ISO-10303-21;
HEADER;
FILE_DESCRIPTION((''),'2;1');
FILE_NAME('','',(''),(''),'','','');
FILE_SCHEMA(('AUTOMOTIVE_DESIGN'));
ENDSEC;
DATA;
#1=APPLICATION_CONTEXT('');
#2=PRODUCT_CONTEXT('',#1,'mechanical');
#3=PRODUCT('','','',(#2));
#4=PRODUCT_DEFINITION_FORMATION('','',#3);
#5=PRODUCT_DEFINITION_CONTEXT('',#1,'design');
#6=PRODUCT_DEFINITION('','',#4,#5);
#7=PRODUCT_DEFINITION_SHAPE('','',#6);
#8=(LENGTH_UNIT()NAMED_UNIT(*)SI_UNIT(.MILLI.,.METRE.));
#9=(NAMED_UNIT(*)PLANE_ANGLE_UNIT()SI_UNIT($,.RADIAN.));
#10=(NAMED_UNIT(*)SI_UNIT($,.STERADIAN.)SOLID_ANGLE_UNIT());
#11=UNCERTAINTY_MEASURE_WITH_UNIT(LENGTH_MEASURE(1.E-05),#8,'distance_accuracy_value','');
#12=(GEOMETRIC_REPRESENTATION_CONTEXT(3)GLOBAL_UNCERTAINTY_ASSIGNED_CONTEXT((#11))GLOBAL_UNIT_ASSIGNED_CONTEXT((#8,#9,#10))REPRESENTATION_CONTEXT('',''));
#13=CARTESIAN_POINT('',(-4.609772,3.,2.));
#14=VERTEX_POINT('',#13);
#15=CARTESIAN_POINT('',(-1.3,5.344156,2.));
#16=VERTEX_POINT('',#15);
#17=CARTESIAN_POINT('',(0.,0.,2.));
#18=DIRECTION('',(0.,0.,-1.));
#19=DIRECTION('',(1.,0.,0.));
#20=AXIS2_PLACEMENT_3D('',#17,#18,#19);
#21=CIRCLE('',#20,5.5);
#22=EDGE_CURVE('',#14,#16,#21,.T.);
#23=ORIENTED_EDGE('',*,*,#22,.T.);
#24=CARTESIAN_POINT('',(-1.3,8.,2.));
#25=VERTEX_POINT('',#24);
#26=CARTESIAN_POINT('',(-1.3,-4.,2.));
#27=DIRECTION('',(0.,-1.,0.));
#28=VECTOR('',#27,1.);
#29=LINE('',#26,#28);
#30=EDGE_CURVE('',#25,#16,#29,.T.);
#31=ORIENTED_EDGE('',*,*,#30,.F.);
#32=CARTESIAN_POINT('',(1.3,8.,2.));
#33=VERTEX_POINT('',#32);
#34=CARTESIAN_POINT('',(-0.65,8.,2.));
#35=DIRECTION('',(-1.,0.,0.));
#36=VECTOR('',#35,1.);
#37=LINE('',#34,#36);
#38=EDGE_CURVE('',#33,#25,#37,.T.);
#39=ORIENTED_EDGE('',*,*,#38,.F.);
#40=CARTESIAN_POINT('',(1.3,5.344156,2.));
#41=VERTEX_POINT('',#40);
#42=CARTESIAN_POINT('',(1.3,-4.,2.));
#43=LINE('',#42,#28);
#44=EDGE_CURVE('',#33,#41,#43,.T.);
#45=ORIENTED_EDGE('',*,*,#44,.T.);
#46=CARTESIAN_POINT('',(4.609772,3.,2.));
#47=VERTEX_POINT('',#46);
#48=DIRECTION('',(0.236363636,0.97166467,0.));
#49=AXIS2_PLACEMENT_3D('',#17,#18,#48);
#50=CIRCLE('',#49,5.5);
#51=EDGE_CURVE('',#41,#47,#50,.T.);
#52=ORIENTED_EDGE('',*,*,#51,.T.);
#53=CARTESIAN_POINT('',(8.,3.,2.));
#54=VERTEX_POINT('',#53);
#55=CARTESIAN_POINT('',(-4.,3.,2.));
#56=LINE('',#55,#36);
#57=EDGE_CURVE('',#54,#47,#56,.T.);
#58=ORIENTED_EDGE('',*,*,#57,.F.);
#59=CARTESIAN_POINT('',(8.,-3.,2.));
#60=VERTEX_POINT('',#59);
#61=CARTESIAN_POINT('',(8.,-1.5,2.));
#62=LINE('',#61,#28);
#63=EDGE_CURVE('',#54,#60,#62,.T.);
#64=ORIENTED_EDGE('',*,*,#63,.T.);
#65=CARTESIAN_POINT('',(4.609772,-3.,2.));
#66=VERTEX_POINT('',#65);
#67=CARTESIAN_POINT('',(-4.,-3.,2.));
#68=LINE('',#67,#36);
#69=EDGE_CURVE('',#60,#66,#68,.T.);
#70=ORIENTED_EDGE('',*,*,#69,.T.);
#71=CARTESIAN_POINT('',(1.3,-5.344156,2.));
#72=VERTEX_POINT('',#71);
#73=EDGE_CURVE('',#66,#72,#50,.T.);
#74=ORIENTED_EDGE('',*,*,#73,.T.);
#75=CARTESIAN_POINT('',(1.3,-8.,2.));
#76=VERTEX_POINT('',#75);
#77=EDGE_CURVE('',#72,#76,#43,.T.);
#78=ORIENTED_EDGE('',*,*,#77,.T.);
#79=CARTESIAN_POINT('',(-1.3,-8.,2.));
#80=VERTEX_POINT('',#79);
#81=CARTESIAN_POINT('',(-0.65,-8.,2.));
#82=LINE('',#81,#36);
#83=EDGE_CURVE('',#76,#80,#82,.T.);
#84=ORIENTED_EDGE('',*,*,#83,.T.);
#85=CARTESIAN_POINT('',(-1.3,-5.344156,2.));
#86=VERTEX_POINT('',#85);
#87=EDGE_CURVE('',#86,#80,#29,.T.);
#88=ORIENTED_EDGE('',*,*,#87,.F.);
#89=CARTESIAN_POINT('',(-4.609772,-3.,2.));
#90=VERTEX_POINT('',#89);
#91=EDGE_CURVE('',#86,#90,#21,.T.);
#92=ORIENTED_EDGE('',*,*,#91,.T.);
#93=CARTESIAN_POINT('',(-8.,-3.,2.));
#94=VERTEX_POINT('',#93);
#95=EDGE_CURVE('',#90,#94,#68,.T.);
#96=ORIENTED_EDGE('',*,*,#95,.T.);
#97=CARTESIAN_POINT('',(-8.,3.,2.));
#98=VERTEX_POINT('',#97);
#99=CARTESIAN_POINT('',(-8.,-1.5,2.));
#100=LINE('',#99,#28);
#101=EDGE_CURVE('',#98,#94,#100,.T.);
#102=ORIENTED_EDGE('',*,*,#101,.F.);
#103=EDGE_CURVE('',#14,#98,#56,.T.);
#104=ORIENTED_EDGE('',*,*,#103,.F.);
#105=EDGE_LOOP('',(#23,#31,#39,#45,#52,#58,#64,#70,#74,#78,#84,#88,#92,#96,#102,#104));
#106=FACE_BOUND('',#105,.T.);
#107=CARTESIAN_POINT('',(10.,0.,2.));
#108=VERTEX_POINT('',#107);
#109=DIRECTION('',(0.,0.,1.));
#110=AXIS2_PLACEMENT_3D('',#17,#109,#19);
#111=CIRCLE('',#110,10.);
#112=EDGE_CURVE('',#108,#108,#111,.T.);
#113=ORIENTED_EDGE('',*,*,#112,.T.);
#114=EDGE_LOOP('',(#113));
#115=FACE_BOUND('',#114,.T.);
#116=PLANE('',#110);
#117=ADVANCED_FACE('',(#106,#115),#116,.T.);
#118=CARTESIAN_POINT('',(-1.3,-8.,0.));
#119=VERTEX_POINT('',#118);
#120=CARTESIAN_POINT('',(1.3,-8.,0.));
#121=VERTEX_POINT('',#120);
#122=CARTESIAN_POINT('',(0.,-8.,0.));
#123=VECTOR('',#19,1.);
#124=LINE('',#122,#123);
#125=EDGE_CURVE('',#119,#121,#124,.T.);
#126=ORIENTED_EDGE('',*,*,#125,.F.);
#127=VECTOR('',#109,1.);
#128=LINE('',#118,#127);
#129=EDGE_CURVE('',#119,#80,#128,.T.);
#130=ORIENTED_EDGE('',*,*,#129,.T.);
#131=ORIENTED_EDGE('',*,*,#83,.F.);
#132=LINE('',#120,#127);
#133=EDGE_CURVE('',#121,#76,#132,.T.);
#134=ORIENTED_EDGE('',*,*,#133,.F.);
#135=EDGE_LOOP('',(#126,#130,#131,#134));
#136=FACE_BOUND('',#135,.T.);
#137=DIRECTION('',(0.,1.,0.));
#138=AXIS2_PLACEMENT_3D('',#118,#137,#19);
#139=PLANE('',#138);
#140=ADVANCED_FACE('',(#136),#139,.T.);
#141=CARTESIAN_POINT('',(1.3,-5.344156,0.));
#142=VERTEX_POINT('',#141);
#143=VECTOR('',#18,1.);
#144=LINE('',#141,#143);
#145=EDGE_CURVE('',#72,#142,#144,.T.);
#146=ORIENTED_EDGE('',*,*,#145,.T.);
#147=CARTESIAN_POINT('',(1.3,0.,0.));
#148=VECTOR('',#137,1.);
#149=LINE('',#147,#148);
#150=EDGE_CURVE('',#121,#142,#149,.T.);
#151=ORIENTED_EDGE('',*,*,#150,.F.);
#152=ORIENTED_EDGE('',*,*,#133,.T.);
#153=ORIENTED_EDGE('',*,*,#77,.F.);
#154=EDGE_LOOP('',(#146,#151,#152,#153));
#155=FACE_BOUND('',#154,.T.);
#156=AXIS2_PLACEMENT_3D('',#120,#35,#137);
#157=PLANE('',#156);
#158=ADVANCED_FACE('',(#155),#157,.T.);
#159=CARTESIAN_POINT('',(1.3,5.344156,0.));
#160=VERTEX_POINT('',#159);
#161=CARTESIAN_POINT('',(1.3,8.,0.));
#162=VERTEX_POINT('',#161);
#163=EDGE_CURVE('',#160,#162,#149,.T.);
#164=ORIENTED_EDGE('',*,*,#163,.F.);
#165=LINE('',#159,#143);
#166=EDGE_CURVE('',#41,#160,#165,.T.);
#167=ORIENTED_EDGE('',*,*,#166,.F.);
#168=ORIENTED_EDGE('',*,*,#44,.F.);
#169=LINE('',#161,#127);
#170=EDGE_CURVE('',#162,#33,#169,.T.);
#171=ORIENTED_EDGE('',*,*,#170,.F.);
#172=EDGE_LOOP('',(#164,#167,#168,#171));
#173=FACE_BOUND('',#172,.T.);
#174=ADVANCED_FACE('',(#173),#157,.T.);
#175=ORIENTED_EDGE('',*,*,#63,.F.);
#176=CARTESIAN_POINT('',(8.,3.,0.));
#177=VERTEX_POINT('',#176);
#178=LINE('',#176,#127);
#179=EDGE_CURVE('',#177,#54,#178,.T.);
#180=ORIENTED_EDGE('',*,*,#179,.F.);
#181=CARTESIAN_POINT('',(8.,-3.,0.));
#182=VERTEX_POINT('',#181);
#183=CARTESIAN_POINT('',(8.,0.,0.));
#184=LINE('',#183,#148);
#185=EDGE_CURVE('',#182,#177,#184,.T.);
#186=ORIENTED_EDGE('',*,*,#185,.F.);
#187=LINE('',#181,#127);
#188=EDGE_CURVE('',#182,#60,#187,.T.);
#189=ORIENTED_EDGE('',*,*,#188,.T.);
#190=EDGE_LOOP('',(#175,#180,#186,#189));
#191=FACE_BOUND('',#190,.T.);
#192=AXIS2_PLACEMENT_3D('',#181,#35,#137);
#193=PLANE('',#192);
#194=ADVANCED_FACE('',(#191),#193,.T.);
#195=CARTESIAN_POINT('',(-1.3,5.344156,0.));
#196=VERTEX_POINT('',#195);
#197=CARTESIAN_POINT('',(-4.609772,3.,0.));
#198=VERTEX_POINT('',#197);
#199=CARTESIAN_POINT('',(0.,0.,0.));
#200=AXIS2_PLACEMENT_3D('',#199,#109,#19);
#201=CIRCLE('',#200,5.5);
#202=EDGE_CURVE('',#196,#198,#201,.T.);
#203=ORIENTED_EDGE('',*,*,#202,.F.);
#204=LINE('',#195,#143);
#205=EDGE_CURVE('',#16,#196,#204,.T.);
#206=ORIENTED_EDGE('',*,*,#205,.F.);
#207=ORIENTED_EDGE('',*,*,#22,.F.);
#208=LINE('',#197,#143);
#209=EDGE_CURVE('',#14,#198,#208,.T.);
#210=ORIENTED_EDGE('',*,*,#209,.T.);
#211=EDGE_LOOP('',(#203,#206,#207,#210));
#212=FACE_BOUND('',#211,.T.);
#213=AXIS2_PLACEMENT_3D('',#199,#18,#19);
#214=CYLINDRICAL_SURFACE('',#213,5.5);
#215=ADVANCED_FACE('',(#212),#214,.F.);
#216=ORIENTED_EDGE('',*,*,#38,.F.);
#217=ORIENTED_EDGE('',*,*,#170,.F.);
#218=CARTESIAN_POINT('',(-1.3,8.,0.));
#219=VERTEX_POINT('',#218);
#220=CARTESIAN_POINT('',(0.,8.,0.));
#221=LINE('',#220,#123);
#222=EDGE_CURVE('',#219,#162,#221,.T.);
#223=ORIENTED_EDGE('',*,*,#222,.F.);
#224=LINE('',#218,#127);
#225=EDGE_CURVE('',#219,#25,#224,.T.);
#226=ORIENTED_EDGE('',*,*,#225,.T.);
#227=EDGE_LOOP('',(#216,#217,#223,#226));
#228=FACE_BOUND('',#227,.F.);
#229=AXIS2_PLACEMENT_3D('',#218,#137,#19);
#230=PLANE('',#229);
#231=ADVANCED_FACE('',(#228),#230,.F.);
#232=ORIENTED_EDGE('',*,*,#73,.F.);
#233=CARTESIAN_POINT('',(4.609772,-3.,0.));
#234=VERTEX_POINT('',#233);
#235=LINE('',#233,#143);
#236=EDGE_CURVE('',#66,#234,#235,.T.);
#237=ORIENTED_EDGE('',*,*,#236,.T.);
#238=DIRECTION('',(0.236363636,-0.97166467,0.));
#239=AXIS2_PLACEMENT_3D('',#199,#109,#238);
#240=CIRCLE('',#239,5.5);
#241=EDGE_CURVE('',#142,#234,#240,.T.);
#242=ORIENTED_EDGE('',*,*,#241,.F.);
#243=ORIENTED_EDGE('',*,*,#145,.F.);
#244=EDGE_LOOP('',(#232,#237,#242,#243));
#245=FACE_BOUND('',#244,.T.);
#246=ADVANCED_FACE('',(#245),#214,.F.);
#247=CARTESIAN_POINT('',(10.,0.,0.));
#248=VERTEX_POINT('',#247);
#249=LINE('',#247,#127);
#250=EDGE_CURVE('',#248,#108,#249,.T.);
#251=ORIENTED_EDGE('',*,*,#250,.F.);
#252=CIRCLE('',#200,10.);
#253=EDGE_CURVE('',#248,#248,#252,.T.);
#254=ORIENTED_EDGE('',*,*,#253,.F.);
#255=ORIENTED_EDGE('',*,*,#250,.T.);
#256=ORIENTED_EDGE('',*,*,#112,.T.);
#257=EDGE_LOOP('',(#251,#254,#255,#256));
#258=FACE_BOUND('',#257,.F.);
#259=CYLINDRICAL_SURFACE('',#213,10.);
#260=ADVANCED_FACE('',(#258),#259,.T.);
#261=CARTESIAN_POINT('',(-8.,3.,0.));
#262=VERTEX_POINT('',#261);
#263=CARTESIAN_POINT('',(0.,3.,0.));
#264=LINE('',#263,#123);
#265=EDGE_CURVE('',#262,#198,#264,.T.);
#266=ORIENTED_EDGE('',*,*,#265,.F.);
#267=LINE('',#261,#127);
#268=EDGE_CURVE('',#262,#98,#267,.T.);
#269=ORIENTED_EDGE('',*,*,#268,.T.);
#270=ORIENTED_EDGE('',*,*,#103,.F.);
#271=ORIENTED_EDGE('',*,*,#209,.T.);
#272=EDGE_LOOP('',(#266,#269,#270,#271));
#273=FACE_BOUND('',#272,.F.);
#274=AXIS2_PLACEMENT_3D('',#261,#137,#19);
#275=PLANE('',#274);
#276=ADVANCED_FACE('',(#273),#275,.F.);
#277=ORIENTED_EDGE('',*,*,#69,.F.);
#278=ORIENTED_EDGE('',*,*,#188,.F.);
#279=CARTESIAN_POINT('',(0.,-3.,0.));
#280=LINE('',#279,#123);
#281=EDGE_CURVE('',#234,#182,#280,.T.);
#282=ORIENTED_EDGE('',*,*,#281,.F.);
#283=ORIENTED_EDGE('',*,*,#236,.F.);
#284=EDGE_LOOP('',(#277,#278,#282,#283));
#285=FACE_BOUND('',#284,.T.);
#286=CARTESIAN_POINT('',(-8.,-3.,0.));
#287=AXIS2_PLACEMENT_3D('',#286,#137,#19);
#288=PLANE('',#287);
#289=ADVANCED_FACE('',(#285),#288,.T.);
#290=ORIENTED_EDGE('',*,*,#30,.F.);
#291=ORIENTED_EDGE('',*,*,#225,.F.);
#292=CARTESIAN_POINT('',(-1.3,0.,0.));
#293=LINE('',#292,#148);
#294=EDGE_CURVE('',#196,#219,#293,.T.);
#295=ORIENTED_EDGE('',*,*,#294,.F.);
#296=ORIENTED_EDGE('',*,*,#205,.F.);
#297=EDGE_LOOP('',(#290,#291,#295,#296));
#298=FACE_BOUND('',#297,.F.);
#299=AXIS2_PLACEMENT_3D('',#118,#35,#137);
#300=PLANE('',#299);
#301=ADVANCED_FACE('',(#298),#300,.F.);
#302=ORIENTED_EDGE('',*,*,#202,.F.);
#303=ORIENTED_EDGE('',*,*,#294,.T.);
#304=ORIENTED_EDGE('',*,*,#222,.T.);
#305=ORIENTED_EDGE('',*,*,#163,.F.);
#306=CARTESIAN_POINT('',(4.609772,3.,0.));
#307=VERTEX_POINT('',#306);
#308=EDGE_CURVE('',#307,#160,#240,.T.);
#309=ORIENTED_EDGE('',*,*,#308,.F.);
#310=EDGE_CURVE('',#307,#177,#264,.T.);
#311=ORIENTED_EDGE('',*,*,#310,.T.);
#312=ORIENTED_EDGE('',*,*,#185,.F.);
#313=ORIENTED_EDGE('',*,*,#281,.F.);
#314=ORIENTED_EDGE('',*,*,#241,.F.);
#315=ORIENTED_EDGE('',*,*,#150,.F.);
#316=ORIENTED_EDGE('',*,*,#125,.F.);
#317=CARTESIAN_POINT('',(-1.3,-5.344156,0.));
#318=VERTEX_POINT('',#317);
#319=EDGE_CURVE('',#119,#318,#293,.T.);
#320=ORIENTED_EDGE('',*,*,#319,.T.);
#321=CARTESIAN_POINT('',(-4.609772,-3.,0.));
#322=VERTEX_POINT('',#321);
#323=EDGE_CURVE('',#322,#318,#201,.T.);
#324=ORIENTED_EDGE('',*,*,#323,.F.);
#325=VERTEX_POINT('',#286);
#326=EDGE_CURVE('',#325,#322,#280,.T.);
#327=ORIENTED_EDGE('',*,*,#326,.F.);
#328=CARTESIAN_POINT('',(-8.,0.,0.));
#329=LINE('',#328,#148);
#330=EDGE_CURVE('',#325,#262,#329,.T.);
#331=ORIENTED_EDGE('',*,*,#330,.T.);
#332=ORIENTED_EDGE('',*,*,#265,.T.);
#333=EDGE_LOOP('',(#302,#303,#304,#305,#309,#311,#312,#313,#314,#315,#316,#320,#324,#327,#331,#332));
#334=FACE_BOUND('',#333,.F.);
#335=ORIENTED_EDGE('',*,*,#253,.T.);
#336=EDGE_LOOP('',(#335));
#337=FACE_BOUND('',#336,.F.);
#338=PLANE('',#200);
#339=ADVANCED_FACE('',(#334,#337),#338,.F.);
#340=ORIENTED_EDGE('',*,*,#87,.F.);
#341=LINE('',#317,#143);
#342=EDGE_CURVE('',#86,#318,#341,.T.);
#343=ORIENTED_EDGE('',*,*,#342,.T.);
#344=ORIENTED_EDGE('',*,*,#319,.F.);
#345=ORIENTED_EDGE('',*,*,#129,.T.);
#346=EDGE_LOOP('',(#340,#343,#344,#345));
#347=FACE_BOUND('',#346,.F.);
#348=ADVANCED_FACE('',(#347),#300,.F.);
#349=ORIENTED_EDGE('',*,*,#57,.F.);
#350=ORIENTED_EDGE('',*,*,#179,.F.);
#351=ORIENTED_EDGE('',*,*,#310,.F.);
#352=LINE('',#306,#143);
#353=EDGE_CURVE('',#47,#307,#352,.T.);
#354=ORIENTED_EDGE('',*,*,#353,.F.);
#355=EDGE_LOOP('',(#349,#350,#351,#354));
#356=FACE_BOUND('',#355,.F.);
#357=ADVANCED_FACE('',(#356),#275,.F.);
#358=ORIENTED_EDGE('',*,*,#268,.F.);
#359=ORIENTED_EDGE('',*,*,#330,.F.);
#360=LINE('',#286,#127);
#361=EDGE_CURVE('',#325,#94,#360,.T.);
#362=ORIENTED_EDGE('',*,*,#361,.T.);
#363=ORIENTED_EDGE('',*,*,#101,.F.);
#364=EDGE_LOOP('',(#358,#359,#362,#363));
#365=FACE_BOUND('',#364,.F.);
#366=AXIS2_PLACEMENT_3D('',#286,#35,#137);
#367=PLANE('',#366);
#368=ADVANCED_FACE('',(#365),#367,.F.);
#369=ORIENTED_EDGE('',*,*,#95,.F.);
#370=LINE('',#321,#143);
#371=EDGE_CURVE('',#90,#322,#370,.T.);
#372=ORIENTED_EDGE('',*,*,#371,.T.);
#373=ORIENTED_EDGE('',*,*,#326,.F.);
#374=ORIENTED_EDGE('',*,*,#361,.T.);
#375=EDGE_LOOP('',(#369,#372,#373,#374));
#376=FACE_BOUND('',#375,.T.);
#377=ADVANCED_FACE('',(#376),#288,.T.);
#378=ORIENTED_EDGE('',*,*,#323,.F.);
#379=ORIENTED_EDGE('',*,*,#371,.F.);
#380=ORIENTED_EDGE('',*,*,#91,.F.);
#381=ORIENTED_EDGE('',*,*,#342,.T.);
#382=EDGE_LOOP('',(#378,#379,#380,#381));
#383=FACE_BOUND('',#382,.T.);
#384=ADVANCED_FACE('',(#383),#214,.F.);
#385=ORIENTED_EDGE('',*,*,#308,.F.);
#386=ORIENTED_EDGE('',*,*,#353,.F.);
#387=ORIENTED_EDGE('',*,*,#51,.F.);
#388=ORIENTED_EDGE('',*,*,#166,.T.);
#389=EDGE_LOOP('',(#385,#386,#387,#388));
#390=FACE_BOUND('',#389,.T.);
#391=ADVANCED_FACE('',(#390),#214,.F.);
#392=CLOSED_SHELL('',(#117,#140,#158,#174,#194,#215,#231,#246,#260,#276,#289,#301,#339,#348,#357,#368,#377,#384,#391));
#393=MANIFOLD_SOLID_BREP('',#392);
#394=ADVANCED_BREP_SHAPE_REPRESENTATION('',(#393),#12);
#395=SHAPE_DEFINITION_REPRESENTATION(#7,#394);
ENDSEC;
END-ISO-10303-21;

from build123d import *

# Parameters (mm, degrees)
SKETCH030_R     = 10
PAD016_DEPTH    = 2
SKETCH031_R     = 5.5
POCKET011_DEPTH = 2.001
SKETCH032_W     = 2.6
SKETCH032_H     = 16
POCKET012_DEPTH = 2.001
SKETCH033_W     = 16
SKETCH033_H     = 6
POCKET013_DEPTH = 2.001


with BuildPart() as part:
    # Sketch030 → Pad016 (new body)
    with BuildSketch(Plane.XY):
        Circle(SKETCH030_R)
    extrude(amount=PAD016_DEPTH)

    # Sketch031 → Pocket011 (cut, through all)
    with BuildSketch(Plane.XY):
        Circle(SKETCH031_R)
    extrude(amount=POCKET011_DEPTH, mode=Mode.SUBTRACT)

    # Sketch032 → Pocket012 (cut, through all)
    with BuildSketch(Plane.XY):
        Rectangle(SKETCH032_W, SKETCH032_H)
    extrude(amount=POCKET012_DEPTH, mode=Mode.SUBTRACT)

    # Sketch033 → Pocket013 (cut, through all)
    with BuildSketch(Plane.XY):
        Rectangle(SKETCH033_W, SKETCH033_H)
    extrude(amount=POCKET013_DEPTH, mode=Mode.SUBTRACT)


solid = part.part
